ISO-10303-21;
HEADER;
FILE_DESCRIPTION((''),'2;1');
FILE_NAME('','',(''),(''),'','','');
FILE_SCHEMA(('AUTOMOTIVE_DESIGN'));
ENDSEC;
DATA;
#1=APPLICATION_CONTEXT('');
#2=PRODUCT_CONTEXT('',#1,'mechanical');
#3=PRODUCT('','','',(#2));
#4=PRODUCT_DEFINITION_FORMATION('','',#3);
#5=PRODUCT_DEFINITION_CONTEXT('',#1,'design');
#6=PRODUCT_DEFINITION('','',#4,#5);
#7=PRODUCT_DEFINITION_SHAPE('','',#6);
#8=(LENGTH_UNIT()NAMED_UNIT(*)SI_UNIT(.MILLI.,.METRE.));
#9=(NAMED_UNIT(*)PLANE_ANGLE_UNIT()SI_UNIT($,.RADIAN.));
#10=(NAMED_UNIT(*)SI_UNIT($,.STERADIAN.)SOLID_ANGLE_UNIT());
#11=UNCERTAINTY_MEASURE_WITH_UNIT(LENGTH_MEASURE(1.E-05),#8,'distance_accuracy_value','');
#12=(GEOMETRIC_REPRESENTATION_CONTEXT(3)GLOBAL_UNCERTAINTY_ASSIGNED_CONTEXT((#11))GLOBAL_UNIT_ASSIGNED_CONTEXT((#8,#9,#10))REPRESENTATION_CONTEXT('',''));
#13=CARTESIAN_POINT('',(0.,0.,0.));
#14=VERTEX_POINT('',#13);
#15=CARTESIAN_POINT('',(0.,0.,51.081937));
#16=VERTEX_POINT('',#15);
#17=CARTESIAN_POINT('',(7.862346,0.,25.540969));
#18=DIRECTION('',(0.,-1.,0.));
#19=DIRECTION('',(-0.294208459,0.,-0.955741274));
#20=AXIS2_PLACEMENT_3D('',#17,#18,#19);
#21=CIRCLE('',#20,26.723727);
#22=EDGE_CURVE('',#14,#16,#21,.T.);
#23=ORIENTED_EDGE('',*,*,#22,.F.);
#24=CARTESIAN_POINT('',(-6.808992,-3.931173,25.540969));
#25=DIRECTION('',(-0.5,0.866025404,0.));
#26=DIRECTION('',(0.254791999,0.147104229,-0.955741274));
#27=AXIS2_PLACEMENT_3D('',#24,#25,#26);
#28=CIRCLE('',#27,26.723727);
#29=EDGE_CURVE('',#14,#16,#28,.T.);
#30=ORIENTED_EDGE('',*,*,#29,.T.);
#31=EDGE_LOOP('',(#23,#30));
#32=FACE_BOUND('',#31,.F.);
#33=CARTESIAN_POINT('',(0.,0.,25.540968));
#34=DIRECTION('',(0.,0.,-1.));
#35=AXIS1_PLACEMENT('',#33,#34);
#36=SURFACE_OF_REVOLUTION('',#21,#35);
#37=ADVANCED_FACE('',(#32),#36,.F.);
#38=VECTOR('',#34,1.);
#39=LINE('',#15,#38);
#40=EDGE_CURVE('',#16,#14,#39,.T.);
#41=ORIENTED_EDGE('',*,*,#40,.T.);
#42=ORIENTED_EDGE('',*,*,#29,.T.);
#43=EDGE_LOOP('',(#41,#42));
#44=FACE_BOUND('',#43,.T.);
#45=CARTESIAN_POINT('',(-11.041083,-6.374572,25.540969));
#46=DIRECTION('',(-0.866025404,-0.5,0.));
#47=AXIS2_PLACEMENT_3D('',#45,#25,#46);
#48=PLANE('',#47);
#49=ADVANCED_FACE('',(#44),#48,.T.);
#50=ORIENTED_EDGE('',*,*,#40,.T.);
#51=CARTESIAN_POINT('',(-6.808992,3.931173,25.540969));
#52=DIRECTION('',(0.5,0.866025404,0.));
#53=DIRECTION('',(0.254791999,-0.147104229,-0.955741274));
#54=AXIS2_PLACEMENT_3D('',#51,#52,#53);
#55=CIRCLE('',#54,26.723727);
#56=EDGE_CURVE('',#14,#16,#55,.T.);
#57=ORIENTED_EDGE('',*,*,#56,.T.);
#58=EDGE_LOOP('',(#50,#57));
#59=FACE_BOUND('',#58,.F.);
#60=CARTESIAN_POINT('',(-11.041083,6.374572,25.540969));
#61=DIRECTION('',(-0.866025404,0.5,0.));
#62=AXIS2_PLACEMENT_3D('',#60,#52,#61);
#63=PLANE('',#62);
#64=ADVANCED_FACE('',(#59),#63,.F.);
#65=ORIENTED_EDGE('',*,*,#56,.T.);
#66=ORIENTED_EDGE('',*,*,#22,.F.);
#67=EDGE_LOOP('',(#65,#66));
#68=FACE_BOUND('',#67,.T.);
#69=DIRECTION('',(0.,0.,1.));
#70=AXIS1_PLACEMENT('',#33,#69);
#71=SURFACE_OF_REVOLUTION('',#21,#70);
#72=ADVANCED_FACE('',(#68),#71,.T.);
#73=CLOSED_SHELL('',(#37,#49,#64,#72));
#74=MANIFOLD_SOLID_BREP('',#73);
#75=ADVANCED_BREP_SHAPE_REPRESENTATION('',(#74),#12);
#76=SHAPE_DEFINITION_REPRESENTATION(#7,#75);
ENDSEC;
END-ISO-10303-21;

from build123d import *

# Parameters (mm, degrees)
F1_ANGLE = -300


with BuildPart() as f1:
    # F0 (on Front) → F1 (revolve, symmetric)
    with BuildSketch(Plane.XZ) as f1_sk:
        with BuildLine():
            Line((0, 51.081937), (0, 0))
            ThreePointArc((0, 0), (34.586073, 25.540968), (0, 51.081937))
        make_face()
    revolve(axis=Axis((0, 0, 25.540968), (0, 0, 1)), revolution_arc=F1_ANGLE / 2)
    revolve(f1_sk.sketch, axis=Axis((0, 0, 25.540968), (0, 0, -1)), revolution_arc=F1_ANGLE / 2)


solid = f1.part
